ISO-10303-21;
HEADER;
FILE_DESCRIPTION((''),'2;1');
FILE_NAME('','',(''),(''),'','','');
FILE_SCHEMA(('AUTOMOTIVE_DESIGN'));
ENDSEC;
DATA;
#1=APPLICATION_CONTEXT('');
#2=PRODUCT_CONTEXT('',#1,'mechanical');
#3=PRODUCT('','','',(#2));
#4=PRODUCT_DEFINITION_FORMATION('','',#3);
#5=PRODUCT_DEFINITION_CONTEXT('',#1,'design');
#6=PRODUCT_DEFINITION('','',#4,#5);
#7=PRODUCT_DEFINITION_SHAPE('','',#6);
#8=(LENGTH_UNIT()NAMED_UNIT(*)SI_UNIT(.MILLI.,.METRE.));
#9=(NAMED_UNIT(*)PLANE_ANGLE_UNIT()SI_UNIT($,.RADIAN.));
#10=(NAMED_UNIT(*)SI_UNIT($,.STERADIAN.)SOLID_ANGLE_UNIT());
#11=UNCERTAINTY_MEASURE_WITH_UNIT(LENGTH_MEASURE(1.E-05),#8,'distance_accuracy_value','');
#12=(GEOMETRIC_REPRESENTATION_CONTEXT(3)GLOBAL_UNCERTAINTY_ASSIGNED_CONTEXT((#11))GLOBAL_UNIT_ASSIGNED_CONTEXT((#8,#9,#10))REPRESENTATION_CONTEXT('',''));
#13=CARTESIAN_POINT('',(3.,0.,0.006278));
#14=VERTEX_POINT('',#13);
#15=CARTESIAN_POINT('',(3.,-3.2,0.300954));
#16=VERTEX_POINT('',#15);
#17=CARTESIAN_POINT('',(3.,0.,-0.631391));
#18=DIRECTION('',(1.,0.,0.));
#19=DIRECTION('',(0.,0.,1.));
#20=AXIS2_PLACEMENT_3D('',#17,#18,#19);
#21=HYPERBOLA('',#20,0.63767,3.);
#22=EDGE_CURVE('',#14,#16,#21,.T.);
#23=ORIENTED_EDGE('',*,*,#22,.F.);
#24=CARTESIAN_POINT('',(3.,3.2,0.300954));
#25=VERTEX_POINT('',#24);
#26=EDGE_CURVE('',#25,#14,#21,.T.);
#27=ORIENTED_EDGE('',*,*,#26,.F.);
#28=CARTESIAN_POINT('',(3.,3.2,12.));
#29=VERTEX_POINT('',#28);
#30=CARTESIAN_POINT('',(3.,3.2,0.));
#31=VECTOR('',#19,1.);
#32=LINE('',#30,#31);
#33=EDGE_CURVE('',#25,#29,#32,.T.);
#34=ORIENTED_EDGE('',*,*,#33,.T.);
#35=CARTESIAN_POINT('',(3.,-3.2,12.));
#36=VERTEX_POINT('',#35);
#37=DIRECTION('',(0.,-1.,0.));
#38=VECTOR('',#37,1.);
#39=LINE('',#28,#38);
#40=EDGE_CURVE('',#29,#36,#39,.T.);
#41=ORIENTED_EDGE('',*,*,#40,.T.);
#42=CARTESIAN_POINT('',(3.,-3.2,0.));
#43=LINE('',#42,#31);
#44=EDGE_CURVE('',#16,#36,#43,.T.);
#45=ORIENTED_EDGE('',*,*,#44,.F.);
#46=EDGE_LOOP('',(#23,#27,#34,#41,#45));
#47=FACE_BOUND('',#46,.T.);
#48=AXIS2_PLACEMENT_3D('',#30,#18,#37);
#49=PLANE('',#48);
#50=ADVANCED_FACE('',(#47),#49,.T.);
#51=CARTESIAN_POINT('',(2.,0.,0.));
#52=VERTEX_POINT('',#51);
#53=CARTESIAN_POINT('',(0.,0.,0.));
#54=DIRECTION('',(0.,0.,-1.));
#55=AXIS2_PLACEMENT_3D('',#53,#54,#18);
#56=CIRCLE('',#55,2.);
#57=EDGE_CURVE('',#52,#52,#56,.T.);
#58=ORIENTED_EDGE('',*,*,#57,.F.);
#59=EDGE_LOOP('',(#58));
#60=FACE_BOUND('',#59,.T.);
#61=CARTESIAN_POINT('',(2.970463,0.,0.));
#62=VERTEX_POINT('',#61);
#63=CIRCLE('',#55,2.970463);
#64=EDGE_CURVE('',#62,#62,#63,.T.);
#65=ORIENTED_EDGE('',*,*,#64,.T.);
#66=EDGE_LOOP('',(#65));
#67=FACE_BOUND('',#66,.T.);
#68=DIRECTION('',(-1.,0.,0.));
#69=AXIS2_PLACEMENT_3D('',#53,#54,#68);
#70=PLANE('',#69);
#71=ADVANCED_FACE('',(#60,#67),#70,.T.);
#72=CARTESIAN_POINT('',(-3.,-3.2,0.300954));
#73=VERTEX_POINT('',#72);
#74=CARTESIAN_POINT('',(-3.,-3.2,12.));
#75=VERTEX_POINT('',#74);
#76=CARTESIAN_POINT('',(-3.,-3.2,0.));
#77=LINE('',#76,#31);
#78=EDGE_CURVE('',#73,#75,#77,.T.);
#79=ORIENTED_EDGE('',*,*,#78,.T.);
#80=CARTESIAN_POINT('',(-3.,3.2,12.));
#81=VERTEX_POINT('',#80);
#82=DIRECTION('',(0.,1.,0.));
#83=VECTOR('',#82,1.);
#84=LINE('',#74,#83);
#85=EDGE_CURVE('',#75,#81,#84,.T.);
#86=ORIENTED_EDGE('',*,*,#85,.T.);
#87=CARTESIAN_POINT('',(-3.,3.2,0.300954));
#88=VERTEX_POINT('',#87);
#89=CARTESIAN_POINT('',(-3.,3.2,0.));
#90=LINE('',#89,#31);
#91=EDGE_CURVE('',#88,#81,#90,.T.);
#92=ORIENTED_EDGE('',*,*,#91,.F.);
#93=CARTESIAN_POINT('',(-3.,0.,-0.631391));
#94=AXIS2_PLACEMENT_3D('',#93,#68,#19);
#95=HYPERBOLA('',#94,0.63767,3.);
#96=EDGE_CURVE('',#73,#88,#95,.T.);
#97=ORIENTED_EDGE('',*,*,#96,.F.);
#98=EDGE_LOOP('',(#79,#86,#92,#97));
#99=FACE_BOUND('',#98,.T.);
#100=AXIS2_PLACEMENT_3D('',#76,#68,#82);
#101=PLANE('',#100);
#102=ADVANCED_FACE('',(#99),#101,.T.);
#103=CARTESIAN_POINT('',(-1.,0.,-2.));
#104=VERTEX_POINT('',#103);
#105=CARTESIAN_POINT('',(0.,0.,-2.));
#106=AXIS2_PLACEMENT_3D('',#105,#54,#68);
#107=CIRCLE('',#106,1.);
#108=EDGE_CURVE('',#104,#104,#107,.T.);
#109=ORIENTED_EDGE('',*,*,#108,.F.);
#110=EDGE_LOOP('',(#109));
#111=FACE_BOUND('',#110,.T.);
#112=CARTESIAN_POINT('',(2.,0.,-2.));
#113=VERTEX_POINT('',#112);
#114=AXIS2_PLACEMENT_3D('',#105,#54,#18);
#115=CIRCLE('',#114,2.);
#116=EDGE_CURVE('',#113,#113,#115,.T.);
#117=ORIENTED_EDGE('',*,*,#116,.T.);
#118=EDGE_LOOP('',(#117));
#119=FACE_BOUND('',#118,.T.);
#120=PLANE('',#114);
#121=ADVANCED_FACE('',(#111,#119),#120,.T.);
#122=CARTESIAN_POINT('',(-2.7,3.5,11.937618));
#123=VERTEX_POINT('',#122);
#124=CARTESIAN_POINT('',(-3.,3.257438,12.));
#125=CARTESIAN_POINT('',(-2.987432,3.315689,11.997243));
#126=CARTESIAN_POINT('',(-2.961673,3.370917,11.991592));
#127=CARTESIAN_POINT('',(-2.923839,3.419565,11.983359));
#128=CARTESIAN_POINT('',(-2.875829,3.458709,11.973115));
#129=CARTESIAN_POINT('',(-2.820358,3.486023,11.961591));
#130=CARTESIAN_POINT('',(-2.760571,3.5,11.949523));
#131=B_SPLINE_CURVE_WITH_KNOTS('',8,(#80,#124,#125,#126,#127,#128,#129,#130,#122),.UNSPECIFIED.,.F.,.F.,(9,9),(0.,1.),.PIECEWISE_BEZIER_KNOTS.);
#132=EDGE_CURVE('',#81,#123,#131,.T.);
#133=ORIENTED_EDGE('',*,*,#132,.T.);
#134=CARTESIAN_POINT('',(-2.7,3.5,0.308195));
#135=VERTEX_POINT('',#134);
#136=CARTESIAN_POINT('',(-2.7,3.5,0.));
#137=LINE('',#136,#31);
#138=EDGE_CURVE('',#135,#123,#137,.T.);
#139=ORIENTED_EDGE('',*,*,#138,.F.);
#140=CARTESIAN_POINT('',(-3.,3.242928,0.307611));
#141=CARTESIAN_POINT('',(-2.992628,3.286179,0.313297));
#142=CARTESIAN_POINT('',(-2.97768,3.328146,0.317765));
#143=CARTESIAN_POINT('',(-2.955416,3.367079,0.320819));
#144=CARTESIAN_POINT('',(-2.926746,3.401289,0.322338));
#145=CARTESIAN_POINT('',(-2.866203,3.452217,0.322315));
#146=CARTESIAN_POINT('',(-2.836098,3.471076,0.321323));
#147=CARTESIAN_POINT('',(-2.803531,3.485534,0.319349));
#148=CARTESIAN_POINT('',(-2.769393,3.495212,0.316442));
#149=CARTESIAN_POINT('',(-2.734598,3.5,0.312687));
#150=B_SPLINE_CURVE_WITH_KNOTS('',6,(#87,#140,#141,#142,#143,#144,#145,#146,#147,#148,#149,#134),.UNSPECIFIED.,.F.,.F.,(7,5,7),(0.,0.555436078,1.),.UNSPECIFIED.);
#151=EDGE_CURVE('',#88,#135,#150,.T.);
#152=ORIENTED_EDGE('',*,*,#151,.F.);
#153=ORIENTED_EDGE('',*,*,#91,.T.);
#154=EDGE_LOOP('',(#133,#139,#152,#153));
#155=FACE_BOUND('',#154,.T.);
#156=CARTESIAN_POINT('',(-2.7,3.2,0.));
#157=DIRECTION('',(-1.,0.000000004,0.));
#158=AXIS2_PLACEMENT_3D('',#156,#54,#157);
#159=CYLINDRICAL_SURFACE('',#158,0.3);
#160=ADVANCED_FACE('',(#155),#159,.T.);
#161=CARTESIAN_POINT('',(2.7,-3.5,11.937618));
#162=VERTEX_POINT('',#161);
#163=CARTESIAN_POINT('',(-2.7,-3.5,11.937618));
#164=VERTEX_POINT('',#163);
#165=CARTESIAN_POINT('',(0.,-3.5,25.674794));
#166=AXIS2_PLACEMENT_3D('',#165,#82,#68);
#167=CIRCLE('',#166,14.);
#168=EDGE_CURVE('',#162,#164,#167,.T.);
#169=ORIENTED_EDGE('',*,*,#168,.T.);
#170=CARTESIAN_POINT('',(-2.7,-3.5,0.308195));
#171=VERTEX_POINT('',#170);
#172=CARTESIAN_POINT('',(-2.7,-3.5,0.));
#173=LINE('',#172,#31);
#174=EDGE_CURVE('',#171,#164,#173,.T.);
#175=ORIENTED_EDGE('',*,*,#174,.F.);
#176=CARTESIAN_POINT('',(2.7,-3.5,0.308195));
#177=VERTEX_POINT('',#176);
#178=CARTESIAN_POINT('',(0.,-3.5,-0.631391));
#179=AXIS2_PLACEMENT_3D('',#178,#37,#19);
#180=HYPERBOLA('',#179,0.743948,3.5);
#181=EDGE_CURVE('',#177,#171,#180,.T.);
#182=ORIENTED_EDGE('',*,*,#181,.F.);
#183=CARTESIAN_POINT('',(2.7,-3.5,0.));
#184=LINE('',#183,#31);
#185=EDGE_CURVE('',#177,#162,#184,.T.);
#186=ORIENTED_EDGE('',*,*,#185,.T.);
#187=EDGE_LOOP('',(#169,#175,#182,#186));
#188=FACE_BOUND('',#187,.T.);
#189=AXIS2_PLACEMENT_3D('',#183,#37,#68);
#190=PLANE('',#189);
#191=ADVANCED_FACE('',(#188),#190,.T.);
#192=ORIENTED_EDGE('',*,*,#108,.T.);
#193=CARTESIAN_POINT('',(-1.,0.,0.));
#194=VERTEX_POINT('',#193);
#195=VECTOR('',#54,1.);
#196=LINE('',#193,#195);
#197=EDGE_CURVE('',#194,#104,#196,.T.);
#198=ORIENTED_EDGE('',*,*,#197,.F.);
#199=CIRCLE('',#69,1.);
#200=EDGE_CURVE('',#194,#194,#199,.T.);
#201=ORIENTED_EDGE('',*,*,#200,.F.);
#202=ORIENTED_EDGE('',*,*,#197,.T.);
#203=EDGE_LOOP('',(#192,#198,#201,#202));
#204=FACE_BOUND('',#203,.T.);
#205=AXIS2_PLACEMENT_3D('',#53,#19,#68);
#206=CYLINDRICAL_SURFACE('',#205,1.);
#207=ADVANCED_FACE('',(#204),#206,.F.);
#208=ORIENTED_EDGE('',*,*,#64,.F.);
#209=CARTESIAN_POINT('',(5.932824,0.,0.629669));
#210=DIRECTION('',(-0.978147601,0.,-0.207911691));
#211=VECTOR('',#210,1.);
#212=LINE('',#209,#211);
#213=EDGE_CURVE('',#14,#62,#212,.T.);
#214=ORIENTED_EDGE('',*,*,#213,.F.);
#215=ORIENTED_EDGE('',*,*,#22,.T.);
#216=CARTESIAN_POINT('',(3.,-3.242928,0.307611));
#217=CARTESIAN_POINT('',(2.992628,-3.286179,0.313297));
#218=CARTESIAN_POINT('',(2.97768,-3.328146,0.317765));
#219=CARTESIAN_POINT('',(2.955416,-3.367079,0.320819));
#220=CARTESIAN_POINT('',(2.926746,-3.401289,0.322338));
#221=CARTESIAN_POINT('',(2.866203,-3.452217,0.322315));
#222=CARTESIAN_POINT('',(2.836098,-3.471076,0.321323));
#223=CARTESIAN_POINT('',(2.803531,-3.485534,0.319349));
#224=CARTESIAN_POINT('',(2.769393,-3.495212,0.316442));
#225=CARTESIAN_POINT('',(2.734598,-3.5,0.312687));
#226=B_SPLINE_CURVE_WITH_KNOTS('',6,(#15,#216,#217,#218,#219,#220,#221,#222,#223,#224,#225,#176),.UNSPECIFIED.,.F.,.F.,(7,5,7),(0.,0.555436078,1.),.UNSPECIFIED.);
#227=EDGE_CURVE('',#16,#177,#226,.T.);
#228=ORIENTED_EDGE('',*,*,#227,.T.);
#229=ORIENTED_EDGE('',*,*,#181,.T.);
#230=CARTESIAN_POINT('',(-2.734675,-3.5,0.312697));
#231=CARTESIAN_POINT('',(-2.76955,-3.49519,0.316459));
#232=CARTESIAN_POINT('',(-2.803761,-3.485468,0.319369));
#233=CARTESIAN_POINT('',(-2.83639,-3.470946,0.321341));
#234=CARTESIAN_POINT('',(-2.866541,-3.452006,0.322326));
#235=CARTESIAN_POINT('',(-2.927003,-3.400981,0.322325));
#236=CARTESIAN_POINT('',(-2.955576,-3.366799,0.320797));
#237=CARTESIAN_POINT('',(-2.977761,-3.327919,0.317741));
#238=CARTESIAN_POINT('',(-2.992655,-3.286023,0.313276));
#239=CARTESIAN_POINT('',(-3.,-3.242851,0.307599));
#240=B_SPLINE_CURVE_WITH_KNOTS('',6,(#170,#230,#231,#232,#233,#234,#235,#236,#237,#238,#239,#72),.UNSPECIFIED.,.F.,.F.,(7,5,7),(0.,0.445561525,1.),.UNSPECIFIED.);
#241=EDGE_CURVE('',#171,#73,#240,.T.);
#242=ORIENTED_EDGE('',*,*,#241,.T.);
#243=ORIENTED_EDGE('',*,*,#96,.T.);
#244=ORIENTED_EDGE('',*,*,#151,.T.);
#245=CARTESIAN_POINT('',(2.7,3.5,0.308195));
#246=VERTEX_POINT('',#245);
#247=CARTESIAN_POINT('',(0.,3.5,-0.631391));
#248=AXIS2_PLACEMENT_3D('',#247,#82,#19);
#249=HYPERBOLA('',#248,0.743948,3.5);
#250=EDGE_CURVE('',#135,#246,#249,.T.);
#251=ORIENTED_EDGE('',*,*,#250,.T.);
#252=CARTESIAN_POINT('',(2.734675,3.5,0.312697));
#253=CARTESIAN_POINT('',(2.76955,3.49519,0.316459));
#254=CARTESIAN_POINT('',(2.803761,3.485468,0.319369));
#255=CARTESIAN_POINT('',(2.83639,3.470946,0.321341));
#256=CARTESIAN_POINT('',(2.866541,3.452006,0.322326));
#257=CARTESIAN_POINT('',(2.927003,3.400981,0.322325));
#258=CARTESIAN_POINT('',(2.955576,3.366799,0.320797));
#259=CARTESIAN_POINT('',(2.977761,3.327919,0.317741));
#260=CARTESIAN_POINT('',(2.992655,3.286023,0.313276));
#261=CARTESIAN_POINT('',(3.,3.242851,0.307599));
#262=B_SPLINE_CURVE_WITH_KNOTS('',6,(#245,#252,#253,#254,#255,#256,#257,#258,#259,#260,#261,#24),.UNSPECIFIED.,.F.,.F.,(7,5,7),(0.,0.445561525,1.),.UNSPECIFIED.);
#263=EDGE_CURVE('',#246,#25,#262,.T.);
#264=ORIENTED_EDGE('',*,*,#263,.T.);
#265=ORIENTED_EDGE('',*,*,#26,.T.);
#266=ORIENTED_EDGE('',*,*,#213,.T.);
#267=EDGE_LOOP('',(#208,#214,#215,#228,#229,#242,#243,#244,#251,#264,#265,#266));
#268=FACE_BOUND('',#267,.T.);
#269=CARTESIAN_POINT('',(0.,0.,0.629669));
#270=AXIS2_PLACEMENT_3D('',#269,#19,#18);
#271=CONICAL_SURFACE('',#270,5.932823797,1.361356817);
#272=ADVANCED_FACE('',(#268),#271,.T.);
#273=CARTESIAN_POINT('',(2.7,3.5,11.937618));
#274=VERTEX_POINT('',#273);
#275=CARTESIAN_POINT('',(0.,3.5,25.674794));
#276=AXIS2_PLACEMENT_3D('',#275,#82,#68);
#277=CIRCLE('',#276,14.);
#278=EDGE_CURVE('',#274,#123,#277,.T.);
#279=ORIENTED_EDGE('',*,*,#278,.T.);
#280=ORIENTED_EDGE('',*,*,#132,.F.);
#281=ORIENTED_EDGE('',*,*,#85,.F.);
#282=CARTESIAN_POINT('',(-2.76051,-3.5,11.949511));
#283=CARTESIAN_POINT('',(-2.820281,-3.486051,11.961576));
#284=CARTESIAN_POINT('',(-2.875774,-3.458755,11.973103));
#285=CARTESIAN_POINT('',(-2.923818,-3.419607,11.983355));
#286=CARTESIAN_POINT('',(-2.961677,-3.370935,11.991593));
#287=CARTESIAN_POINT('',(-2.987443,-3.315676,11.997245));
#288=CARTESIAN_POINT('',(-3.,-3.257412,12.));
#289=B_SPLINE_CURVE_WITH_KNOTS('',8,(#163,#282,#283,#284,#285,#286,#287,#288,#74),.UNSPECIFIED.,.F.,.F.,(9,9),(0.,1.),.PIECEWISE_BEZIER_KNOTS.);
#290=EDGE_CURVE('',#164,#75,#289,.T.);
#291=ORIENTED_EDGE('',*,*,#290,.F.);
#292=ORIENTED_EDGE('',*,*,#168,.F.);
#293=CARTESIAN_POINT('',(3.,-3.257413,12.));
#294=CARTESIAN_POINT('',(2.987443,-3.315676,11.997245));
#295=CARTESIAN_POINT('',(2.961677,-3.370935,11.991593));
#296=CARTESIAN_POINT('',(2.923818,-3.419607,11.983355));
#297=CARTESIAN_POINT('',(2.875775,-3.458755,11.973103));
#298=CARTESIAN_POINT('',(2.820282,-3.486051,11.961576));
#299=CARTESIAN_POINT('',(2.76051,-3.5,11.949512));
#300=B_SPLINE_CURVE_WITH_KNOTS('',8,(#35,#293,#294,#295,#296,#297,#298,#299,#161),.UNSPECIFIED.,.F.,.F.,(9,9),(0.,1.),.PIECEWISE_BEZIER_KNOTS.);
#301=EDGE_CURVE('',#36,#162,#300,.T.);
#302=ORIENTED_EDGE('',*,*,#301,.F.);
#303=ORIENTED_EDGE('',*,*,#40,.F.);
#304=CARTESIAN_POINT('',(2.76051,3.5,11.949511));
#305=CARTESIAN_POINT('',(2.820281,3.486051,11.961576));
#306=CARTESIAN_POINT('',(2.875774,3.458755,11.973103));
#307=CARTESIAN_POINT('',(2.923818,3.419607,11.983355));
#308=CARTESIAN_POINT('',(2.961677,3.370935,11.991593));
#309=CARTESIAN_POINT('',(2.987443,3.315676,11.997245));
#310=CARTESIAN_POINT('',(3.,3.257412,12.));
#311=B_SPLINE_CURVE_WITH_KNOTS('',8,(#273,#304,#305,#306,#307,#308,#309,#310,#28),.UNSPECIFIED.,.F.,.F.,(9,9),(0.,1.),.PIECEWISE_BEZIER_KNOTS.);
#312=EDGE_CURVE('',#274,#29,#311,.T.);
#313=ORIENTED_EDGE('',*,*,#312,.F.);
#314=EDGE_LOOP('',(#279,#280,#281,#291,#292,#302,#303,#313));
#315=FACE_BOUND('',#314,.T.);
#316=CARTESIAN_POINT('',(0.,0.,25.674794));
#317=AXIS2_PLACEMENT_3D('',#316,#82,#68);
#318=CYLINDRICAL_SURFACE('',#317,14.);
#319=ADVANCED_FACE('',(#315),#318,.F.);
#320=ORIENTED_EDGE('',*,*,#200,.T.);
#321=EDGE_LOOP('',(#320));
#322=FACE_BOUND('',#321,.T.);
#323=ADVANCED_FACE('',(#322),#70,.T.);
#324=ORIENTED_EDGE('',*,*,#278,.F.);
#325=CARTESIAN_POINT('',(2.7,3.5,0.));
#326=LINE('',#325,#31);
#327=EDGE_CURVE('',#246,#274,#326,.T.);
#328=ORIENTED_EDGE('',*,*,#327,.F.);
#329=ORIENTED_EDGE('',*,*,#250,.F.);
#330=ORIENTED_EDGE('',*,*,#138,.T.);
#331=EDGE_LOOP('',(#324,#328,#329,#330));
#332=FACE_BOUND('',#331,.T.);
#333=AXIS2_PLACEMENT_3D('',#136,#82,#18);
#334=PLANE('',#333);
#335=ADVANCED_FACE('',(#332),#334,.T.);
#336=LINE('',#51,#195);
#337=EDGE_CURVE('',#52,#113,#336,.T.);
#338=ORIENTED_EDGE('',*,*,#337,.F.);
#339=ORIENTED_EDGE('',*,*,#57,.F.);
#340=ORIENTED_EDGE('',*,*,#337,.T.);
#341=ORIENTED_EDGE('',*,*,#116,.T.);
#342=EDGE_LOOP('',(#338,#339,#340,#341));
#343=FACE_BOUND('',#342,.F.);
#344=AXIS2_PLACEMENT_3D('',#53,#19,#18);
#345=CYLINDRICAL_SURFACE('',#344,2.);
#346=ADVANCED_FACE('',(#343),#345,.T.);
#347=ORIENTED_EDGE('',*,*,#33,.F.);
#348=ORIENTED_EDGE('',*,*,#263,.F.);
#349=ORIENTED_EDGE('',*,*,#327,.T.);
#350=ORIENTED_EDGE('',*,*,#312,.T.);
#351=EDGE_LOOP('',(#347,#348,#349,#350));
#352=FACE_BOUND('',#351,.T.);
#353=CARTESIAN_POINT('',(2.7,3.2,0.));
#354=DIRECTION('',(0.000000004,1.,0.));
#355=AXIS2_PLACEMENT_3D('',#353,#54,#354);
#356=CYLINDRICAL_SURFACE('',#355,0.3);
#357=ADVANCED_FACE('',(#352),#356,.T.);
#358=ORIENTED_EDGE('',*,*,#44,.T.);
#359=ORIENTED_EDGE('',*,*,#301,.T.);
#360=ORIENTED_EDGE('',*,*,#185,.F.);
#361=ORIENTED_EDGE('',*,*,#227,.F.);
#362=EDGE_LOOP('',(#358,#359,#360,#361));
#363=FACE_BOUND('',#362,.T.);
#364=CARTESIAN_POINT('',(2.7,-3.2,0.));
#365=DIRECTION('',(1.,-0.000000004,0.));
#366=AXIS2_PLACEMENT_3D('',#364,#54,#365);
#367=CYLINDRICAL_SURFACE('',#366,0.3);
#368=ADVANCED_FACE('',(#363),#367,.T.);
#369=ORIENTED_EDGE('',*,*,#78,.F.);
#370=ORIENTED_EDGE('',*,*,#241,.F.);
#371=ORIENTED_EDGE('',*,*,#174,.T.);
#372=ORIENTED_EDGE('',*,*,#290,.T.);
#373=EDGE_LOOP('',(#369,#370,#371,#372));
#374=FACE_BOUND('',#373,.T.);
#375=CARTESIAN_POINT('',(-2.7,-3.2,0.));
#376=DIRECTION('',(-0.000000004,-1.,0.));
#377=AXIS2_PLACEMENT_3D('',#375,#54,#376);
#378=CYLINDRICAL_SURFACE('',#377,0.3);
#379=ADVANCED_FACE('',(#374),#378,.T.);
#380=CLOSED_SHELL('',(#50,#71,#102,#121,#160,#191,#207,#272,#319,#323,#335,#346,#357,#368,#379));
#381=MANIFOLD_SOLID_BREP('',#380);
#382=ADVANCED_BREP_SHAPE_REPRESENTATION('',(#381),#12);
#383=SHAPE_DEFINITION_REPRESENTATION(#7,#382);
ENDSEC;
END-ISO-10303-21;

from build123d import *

# Parameters (mm, degrees)
EXTRUSION1_DEPTH        = 12
ENL_V_MAT_EXTRU_1_DEPTH = 6
ESQUISSE3_R             = 2
ESQUISSE3_R_2           = 1
EXTRUSION2_DEPTH        = 2


with BuildPart() as part:
    # Esquisse1 → Extrusion1 (new body)
    with BuildSketch(Plane.XY):
        with BuildLine():
            Line((-2.7, 3.5), (2.7, 3.5))
            ThreePointArc((2.7, 3.5), (2.912132034, 3.412132034), (3, 3.2))
            Line((3, 3.2), (3, -3.2))
            ThreePointArc((3, -3.2), (2.912132034, -3.412132034), (2.7, -3.5))
            Line((2.7, -3.5), (-2.7, -3.5))
            ThreePointArc((-2.7, -3.5), (-2.912132034, -3.412132034), (-3, -3.2))
            Line((-3, -3.2), (-3, 3.2))
            ThreePointArc((-3, 3.2), (-2.912132034, 3.412132034), (-2.7, 3.5))
        make_face()
    extrude(amount=EXTRUSION1_DEPTH)

    # Esquisse2 → Enlèv. mat.-Extru.1 (cut, symmetric)
    with BuildSketch(Plane(origin=(0, 0, 0), x_dir=(1, 0, 0), z_dir=(0, 1, 0))):
        with BuildLine():
            Line((14, -25.674794331), (-14, -25.674794331))
            ThreePointArc((-14, -25.674794331), (0, -11.674794331), (14, -25.674794331))
        make_face()
    extrude(amount=ENL_V_MAT_EXTRU_1_DEPTH, both=True, mode=Mode.SUBTRACT)

    # Esquisse3 → Extrusion2 (add)
    with BuildSketch(Plane(origin=(0, 0, 0), x_dir=(-1, 0, 0), z_dir=(0, 0, -1))):
        with Locations(Location((0, 0, 0), (0, 0, 180))):
            Circle(ESQUISSE3_R)
        Circle(ESQUISSE3_R_2, mode=Mode.SUBTRACT)
    extrude(amount=EXTRUSION2_DEPTH)

    # Esquisse4 → Enlèvement de matière-Révolution1 (revolve, cut)
    with BuildSketch(Plane(origin=(0, 0, 0), x_dir=(1, 0, 0), z_dir=(0, 1, 0)), mode=Mode.PRIVATE) as enl_vement_de_mati_re_r_volution1_sk:
        Polygon((-5.932823797, -0.629669223), (-2.5, 0.1), (-2.5, 1.1), (-5.932823797, 1.1), align=None)
    revolve(enl_vement_de_mati_re_r_volution1_sk.sketch.rotate(Axis((0, 0, 13.123822536), (0, 0, -1)), 180), axis=Axis((0, 0, 13.123822536), (0, 0, -1)), mode=Mode.SUBTRACT)


solid = part.part
